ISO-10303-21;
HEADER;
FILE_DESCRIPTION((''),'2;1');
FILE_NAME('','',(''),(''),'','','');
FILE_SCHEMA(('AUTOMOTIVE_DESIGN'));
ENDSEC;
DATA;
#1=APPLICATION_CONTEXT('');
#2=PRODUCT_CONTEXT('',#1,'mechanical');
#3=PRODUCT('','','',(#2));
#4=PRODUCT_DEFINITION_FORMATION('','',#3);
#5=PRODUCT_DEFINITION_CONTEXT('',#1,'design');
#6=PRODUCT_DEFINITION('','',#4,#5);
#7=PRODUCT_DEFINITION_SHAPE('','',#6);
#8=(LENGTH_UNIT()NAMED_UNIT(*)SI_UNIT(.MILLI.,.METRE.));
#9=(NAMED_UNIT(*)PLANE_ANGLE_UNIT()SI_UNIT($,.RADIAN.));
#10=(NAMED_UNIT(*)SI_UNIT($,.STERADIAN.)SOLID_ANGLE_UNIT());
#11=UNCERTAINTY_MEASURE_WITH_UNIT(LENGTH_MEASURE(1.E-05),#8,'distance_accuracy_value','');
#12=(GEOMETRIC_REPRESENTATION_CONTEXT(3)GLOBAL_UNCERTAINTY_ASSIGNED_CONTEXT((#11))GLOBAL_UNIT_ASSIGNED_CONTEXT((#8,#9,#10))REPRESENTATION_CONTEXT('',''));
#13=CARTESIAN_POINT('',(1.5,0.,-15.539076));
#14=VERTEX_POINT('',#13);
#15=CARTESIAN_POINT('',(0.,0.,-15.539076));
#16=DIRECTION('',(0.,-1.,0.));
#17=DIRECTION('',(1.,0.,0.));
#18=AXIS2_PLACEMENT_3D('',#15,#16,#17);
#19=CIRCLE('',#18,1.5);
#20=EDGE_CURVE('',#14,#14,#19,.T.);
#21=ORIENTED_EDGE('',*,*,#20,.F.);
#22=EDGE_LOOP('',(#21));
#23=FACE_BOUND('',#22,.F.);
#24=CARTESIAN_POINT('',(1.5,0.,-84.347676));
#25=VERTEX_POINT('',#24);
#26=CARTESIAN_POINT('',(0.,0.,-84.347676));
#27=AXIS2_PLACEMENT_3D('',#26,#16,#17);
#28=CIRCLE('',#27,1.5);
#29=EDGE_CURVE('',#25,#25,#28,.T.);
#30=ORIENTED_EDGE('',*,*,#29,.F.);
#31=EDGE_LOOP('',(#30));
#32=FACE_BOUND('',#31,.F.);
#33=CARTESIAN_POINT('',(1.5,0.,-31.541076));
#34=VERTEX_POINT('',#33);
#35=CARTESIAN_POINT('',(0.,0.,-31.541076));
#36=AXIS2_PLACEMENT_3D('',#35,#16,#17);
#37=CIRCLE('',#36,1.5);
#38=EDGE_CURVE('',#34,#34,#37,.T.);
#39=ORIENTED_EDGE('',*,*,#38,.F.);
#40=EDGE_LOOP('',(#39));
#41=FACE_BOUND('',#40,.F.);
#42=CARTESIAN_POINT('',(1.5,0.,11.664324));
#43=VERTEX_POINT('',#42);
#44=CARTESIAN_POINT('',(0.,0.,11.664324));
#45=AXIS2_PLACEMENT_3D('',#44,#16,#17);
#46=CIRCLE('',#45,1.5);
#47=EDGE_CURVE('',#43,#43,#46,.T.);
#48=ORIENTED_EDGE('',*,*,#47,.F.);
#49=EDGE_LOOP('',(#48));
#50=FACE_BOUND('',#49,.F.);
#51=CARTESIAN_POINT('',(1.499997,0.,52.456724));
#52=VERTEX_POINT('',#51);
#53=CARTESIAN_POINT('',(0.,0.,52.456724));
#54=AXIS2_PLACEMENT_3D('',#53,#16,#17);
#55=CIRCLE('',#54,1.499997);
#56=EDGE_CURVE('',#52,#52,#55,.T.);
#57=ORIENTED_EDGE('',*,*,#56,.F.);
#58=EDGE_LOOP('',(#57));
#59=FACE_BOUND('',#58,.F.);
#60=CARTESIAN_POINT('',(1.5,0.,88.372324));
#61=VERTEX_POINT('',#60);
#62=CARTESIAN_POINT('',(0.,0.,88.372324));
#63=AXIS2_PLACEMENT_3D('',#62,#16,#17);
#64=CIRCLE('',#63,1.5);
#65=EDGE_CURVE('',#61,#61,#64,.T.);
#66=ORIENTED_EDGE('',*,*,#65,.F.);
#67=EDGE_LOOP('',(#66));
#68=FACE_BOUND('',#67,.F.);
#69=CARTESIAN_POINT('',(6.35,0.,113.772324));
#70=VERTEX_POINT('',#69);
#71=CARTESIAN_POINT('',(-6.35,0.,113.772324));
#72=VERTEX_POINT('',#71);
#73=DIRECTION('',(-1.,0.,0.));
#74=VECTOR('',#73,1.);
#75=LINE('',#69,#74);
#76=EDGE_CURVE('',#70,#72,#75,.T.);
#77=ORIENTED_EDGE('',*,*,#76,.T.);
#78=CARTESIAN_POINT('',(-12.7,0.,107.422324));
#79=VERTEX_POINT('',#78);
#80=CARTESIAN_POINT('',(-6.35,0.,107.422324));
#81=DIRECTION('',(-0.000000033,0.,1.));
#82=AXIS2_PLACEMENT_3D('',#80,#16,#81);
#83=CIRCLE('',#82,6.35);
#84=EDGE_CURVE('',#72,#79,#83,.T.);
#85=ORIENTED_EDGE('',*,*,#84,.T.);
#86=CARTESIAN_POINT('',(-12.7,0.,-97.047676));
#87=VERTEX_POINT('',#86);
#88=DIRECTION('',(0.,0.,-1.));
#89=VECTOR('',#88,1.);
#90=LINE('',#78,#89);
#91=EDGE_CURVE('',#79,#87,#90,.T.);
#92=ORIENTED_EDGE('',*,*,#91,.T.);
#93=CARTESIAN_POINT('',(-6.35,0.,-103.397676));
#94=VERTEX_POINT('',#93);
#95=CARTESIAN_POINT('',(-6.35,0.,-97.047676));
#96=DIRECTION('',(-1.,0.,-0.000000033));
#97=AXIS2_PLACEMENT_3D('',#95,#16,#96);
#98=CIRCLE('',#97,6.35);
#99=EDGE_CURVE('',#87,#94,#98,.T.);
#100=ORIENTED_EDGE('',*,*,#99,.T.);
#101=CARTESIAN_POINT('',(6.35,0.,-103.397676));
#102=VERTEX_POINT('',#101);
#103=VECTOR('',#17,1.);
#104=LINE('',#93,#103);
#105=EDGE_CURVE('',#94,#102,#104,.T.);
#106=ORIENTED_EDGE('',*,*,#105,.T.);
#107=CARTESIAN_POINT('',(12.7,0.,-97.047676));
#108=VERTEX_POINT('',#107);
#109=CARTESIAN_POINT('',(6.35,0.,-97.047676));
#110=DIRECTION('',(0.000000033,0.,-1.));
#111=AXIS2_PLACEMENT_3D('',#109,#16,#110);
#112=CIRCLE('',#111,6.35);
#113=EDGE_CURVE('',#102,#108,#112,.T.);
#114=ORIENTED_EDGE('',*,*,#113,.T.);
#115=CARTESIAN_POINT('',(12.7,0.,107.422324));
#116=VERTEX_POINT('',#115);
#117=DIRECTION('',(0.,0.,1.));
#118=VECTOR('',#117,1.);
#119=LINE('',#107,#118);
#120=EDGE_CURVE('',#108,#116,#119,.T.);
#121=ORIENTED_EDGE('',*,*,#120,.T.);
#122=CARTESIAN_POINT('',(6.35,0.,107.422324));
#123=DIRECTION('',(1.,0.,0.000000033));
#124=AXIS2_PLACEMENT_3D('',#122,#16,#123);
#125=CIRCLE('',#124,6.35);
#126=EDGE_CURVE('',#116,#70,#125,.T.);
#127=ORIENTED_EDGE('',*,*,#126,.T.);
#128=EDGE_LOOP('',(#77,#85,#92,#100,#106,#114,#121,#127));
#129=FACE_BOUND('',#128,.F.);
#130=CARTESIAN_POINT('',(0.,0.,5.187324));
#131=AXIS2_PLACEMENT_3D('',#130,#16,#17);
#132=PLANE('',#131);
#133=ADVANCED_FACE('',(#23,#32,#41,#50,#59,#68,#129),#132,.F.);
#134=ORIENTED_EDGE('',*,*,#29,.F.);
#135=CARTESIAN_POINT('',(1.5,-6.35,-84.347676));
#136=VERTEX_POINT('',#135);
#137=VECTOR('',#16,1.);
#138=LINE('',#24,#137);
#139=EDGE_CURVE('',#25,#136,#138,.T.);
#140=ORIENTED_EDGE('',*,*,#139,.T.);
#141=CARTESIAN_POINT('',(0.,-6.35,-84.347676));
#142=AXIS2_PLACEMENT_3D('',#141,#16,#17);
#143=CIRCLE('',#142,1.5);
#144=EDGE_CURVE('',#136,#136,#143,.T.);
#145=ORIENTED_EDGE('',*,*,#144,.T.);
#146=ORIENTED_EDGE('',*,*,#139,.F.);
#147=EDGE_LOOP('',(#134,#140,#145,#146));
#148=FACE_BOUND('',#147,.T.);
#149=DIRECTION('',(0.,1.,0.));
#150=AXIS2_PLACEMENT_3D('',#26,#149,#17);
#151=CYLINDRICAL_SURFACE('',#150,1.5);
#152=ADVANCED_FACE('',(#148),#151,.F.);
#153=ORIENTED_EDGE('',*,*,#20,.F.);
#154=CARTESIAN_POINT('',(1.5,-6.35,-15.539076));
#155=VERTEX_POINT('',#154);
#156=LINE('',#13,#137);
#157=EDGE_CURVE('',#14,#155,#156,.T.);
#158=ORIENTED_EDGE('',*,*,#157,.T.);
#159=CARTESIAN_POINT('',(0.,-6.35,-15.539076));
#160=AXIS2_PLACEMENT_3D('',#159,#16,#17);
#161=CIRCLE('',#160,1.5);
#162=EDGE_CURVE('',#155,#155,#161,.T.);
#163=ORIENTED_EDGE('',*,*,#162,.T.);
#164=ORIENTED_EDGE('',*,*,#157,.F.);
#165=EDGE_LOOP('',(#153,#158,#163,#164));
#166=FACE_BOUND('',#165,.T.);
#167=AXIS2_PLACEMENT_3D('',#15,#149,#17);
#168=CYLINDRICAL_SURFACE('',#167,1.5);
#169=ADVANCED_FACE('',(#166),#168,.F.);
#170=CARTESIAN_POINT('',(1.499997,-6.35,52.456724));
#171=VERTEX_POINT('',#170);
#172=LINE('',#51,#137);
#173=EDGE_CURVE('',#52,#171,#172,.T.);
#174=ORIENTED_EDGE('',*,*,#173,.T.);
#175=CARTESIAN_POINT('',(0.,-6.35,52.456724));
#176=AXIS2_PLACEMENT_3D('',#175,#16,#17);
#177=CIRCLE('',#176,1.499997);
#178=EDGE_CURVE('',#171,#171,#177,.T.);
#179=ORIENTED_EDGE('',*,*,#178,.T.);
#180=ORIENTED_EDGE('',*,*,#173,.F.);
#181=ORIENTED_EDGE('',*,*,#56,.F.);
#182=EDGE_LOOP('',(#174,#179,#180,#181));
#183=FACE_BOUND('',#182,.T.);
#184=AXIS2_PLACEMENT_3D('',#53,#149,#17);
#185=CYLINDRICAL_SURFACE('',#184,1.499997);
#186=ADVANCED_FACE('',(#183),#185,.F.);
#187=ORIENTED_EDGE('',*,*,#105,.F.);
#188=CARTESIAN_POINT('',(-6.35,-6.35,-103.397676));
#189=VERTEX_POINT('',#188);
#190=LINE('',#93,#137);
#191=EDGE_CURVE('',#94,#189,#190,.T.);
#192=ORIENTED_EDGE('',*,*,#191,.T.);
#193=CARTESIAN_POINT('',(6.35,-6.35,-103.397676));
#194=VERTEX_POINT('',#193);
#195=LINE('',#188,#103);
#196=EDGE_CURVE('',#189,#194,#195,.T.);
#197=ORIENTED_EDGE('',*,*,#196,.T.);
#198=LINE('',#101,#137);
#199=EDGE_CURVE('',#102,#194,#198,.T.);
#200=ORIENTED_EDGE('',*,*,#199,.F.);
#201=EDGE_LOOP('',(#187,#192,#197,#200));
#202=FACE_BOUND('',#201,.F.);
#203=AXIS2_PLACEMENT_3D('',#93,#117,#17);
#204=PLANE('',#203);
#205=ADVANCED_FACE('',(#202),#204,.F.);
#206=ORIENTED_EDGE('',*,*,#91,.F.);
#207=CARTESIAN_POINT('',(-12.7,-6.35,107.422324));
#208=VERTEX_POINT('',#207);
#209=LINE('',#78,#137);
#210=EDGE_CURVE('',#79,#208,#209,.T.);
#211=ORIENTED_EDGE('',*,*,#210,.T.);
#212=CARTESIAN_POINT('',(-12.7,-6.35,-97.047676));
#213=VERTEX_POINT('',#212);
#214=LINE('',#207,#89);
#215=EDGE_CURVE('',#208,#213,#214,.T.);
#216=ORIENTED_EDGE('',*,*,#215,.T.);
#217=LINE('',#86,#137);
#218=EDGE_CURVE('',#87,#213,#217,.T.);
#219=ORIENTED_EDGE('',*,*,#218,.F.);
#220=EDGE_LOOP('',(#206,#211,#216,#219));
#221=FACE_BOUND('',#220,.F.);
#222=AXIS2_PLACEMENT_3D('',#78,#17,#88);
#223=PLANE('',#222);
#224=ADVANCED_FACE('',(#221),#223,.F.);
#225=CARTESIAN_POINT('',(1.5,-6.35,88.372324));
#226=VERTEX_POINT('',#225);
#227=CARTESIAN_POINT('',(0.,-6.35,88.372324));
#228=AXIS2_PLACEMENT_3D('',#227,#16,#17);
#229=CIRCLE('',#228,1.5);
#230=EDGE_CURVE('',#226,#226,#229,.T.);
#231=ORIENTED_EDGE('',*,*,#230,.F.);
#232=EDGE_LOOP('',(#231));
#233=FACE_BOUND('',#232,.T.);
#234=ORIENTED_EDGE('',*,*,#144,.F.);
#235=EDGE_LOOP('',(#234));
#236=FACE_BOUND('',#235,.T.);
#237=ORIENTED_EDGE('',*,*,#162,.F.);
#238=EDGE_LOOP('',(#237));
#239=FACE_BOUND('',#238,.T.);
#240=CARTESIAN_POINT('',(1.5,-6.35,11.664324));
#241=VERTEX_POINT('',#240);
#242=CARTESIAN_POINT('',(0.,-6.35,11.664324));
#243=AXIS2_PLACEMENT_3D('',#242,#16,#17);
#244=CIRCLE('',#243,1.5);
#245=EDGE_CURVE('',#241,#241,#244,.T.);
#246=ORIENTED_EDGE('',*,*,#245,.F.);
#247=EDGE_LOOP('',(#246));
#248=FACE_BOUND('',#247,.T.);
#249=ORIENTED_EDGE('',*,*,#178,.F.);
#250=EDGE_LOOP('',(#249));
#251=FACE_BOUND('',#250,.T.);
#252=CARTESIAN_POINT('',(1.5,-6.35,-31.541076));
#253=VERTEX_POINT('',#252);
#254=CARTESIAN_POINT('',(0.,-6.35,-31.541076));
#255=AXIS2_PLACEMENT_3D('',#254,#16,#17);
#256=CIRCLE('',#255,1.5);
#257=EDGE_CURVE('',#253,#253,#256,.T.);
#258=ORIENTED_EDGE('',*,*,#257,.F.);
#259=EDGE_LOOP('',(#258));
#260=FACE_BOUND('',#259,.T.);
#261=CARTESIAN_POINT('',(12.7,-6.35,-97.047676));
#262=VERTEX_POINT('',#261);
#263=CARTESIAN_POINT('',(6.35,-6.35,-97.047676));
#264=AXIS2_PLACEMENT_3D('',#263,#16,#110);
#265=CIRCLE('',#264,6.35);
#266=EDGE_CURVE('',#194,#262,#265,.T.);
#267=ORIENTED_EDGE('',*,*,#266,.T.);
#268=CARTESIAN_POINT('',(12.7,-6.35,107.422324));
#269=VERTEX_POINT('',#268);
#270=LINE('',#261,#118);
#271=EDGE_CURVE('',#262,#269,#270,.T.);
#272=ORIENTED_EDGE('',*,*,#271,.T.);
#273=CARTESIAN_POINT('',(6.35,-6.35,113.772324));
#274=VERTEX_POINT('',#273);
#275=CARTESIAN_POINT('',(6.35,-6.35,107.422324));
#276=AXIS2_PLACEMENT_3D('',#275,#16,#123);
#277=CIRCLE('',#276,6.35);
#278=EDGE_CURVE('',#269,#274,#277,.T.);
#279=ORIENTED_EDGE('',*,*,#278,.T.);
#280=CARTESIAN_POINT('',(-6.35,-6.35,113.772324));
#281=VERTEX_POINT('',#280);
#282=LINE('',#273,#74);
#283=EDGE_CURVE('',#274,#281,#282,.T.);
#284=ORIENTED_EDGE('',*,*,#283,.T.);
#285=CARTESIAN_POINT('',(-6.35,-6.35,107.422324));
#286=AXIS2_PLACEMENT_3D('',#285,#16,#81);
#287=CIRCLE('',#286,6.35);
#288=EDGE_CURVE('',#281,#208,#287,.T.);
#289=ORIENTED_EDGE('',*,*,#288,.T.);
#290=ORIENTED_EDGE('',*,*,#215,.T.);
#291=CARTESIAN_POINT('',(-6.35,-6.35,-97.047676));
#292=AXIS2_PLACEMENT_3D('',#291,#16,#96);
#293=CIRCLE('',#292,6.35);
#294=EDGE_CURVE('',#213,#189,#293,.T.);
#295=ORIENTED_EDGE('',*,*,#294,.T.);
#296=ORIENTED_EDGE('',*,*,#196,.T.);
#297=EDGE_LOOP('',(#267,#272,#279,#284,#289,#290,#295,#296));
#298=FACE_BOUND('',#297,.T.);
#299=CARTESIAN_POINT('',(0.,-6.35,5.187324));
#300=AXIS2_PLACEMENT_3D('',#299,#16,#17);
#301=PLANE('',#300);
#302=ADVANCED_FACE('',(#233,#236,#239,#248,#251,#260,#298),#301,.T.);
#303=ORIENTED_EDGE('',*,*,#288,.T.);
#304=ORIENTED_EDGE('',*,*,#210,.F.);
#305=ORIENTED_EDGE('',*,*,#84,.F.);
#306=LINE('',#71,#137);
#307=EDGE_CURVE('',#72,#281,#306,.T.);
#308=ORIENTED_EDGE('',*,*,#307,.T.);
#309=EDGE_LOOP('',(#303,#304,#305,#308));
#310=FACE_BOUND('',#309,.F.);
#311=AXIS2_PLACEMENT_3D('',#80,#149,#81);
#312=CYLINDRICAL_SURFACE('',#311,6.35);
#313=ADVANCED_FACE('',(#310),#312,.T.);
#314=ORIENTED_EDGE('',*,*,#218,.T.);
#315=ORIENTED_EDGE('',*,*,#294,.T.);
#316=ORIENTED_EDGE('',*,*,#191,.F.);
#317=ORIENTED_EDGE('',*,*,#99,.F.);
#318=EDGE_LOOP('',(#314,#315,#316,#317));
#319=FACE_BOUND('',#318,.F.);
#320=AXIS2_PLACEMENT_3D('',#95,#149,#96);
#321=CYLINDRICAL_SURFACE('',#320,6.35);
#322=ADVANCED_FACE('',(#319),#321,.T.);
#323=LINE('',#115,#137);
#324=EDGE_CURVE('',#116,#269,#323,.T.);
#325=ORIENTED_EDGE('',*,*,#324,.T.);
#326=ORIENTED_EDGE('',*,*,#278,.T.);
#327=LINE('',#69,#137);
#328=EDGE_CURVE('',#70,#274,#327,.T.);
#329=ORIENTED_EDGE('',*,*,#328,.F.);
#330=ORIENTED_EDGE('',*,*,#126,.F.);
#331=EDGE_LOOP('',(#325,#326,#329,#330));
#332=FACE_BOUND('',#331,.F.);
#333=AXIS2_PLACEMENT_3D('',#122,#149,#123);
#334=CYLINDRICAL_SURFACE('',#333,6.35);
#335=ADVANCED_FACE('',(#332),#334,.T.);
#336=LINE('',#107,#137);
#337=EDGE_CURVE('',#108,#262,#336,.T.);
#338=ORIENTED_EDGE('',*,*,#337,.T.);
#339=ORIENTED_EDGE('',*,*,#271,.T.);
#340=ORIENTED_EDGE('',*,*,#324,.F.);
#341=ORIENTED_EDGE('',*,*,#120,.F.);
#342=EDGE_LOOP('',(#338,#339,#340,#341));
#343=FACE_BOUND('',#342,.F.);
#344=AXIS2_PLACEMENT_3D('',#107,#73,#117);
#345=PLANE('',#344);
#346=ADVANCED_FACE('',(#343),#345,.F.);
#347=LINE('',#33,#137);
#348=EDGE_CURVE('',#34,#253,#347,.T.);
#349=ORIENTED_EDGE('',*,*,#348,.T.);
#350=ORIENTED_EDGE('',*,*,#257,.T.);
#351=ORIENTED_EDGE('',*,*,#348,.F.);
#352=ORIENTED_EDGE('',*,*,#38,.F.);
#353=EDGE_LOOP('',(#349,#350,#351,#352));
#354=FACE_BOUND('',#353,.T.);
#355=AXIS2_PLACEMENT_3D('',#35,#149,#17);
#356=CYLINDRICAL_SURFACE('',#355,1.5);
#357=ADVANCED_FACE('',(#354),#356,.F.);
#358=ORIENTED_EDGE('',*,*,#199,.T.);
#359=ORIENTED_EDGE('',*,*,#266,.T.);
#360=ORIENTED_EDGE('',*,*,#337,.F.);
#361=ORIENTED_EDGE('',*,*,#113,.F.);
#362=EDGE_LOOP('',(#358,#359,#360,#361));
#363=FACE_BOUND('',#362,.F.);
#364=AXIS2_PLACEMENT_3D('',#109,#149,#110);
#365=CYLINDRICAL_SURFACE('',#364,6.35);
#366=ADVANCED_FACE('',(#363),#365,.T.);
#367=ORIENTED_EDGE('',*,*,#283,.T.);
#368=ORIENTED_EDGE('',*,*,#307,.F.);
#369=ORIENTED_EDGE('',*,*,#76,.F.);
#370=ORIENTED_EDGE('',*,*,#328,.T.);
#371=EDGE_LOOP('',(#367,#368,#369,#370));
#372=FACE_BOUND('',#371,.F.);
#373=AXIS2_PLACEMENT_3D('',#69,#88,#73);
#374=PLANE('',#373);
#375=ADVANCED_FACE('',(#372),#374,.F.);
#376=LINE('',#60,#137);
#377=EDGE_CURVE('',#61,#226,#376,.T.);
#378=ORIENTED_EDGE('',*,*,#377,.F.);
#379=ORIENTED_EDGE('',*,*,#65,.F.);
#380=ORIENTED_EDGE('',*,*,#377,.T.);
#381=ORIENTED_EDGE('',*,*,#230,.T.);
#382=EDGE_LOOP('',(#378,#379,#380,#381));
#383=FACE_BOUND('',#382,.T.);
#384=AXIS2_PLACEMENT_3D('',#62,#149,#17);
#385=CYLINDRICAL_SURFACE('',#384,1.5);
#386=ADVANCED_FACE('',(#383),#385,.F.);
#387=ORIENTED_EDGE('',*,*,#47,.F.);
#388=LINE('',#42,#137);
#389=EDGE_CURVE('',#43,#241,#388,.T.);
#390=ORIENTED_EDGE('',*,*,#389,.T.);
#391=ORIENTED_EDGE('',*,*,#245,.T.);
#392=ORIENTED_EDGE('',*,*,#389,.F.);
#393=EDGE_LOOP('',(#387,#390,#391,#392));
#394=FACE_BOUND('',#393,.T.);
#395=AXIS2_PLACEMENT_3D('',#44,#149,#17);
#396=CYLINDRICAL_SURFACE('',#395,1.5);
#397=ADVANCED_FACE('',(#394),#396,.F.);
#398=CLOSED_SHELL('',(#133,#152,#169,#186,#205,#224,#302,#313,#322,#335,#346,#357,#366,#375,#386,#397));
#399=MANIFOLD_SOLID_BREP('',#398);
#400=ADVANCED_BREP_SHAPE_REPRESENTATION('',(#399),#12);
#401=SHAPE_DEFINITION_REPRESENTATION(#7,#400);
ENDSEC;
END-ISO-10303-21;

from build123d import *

# Parameters (mm, degrees)
F0_R     = 1.5
F0_R_2   = 1.499997
F1_DEPTH = 6.35


with BuildPart() as f1:
    # F0 (on Front) → F1 (new body)
    with BuildSketch(Plane.XZ):
        with BuildLine():
            Line((6.35, 113.772324), (-6.35, 113.772324))
            ThreePointArc((-6.35, 113.772324), (-10.840128, 111.912452), (-12.7, 107.422324))
            Line((-12.7, 107.422324), (-12.7, -97.047676))
            ThreePointArc((-12.7, -97.047676), (-10.840128, -101.537804), (-6.35, -103.397676))
            Line((-6.35, -103.397676), (6.35, -103.397676))
            ThreePointArc((6.35, -103.397676), (10.840128, -101.537804), (12.7, -97.047676))
            Line((12.7, -97.047676), (12.7, 107.422324))
            ThreePointArc((12.7, 107.422324), (10.840128, 111.912452), (6.35, 113.772324))
        make_face()
        with Locations((0, -84.347676)):
            Circle(F0_R, mode=Mode.SUBTRACT)
        with Locations((0, -31.541076)):
            Circle(F0_R, mode=Mode.SUBTRACT)
        with Locations((0, -15.539076)):
            Circle(F0_R, mode=Mode.SUBTRACT)
        with Locations((0, 11.664324)):
            Circle(F0_R, mode=Mode.SUBTRACT)
        with Locations((0, 52.456724)):
            Circle(F0_R_2, mode=Mode.SUBTRACT)
        with Locations((0, 88.372324)):
            Circle(F0_R, mode=Mode.SUBTRACT)
    extrude(amount=F1_DEPTH)


solid = f1.part
